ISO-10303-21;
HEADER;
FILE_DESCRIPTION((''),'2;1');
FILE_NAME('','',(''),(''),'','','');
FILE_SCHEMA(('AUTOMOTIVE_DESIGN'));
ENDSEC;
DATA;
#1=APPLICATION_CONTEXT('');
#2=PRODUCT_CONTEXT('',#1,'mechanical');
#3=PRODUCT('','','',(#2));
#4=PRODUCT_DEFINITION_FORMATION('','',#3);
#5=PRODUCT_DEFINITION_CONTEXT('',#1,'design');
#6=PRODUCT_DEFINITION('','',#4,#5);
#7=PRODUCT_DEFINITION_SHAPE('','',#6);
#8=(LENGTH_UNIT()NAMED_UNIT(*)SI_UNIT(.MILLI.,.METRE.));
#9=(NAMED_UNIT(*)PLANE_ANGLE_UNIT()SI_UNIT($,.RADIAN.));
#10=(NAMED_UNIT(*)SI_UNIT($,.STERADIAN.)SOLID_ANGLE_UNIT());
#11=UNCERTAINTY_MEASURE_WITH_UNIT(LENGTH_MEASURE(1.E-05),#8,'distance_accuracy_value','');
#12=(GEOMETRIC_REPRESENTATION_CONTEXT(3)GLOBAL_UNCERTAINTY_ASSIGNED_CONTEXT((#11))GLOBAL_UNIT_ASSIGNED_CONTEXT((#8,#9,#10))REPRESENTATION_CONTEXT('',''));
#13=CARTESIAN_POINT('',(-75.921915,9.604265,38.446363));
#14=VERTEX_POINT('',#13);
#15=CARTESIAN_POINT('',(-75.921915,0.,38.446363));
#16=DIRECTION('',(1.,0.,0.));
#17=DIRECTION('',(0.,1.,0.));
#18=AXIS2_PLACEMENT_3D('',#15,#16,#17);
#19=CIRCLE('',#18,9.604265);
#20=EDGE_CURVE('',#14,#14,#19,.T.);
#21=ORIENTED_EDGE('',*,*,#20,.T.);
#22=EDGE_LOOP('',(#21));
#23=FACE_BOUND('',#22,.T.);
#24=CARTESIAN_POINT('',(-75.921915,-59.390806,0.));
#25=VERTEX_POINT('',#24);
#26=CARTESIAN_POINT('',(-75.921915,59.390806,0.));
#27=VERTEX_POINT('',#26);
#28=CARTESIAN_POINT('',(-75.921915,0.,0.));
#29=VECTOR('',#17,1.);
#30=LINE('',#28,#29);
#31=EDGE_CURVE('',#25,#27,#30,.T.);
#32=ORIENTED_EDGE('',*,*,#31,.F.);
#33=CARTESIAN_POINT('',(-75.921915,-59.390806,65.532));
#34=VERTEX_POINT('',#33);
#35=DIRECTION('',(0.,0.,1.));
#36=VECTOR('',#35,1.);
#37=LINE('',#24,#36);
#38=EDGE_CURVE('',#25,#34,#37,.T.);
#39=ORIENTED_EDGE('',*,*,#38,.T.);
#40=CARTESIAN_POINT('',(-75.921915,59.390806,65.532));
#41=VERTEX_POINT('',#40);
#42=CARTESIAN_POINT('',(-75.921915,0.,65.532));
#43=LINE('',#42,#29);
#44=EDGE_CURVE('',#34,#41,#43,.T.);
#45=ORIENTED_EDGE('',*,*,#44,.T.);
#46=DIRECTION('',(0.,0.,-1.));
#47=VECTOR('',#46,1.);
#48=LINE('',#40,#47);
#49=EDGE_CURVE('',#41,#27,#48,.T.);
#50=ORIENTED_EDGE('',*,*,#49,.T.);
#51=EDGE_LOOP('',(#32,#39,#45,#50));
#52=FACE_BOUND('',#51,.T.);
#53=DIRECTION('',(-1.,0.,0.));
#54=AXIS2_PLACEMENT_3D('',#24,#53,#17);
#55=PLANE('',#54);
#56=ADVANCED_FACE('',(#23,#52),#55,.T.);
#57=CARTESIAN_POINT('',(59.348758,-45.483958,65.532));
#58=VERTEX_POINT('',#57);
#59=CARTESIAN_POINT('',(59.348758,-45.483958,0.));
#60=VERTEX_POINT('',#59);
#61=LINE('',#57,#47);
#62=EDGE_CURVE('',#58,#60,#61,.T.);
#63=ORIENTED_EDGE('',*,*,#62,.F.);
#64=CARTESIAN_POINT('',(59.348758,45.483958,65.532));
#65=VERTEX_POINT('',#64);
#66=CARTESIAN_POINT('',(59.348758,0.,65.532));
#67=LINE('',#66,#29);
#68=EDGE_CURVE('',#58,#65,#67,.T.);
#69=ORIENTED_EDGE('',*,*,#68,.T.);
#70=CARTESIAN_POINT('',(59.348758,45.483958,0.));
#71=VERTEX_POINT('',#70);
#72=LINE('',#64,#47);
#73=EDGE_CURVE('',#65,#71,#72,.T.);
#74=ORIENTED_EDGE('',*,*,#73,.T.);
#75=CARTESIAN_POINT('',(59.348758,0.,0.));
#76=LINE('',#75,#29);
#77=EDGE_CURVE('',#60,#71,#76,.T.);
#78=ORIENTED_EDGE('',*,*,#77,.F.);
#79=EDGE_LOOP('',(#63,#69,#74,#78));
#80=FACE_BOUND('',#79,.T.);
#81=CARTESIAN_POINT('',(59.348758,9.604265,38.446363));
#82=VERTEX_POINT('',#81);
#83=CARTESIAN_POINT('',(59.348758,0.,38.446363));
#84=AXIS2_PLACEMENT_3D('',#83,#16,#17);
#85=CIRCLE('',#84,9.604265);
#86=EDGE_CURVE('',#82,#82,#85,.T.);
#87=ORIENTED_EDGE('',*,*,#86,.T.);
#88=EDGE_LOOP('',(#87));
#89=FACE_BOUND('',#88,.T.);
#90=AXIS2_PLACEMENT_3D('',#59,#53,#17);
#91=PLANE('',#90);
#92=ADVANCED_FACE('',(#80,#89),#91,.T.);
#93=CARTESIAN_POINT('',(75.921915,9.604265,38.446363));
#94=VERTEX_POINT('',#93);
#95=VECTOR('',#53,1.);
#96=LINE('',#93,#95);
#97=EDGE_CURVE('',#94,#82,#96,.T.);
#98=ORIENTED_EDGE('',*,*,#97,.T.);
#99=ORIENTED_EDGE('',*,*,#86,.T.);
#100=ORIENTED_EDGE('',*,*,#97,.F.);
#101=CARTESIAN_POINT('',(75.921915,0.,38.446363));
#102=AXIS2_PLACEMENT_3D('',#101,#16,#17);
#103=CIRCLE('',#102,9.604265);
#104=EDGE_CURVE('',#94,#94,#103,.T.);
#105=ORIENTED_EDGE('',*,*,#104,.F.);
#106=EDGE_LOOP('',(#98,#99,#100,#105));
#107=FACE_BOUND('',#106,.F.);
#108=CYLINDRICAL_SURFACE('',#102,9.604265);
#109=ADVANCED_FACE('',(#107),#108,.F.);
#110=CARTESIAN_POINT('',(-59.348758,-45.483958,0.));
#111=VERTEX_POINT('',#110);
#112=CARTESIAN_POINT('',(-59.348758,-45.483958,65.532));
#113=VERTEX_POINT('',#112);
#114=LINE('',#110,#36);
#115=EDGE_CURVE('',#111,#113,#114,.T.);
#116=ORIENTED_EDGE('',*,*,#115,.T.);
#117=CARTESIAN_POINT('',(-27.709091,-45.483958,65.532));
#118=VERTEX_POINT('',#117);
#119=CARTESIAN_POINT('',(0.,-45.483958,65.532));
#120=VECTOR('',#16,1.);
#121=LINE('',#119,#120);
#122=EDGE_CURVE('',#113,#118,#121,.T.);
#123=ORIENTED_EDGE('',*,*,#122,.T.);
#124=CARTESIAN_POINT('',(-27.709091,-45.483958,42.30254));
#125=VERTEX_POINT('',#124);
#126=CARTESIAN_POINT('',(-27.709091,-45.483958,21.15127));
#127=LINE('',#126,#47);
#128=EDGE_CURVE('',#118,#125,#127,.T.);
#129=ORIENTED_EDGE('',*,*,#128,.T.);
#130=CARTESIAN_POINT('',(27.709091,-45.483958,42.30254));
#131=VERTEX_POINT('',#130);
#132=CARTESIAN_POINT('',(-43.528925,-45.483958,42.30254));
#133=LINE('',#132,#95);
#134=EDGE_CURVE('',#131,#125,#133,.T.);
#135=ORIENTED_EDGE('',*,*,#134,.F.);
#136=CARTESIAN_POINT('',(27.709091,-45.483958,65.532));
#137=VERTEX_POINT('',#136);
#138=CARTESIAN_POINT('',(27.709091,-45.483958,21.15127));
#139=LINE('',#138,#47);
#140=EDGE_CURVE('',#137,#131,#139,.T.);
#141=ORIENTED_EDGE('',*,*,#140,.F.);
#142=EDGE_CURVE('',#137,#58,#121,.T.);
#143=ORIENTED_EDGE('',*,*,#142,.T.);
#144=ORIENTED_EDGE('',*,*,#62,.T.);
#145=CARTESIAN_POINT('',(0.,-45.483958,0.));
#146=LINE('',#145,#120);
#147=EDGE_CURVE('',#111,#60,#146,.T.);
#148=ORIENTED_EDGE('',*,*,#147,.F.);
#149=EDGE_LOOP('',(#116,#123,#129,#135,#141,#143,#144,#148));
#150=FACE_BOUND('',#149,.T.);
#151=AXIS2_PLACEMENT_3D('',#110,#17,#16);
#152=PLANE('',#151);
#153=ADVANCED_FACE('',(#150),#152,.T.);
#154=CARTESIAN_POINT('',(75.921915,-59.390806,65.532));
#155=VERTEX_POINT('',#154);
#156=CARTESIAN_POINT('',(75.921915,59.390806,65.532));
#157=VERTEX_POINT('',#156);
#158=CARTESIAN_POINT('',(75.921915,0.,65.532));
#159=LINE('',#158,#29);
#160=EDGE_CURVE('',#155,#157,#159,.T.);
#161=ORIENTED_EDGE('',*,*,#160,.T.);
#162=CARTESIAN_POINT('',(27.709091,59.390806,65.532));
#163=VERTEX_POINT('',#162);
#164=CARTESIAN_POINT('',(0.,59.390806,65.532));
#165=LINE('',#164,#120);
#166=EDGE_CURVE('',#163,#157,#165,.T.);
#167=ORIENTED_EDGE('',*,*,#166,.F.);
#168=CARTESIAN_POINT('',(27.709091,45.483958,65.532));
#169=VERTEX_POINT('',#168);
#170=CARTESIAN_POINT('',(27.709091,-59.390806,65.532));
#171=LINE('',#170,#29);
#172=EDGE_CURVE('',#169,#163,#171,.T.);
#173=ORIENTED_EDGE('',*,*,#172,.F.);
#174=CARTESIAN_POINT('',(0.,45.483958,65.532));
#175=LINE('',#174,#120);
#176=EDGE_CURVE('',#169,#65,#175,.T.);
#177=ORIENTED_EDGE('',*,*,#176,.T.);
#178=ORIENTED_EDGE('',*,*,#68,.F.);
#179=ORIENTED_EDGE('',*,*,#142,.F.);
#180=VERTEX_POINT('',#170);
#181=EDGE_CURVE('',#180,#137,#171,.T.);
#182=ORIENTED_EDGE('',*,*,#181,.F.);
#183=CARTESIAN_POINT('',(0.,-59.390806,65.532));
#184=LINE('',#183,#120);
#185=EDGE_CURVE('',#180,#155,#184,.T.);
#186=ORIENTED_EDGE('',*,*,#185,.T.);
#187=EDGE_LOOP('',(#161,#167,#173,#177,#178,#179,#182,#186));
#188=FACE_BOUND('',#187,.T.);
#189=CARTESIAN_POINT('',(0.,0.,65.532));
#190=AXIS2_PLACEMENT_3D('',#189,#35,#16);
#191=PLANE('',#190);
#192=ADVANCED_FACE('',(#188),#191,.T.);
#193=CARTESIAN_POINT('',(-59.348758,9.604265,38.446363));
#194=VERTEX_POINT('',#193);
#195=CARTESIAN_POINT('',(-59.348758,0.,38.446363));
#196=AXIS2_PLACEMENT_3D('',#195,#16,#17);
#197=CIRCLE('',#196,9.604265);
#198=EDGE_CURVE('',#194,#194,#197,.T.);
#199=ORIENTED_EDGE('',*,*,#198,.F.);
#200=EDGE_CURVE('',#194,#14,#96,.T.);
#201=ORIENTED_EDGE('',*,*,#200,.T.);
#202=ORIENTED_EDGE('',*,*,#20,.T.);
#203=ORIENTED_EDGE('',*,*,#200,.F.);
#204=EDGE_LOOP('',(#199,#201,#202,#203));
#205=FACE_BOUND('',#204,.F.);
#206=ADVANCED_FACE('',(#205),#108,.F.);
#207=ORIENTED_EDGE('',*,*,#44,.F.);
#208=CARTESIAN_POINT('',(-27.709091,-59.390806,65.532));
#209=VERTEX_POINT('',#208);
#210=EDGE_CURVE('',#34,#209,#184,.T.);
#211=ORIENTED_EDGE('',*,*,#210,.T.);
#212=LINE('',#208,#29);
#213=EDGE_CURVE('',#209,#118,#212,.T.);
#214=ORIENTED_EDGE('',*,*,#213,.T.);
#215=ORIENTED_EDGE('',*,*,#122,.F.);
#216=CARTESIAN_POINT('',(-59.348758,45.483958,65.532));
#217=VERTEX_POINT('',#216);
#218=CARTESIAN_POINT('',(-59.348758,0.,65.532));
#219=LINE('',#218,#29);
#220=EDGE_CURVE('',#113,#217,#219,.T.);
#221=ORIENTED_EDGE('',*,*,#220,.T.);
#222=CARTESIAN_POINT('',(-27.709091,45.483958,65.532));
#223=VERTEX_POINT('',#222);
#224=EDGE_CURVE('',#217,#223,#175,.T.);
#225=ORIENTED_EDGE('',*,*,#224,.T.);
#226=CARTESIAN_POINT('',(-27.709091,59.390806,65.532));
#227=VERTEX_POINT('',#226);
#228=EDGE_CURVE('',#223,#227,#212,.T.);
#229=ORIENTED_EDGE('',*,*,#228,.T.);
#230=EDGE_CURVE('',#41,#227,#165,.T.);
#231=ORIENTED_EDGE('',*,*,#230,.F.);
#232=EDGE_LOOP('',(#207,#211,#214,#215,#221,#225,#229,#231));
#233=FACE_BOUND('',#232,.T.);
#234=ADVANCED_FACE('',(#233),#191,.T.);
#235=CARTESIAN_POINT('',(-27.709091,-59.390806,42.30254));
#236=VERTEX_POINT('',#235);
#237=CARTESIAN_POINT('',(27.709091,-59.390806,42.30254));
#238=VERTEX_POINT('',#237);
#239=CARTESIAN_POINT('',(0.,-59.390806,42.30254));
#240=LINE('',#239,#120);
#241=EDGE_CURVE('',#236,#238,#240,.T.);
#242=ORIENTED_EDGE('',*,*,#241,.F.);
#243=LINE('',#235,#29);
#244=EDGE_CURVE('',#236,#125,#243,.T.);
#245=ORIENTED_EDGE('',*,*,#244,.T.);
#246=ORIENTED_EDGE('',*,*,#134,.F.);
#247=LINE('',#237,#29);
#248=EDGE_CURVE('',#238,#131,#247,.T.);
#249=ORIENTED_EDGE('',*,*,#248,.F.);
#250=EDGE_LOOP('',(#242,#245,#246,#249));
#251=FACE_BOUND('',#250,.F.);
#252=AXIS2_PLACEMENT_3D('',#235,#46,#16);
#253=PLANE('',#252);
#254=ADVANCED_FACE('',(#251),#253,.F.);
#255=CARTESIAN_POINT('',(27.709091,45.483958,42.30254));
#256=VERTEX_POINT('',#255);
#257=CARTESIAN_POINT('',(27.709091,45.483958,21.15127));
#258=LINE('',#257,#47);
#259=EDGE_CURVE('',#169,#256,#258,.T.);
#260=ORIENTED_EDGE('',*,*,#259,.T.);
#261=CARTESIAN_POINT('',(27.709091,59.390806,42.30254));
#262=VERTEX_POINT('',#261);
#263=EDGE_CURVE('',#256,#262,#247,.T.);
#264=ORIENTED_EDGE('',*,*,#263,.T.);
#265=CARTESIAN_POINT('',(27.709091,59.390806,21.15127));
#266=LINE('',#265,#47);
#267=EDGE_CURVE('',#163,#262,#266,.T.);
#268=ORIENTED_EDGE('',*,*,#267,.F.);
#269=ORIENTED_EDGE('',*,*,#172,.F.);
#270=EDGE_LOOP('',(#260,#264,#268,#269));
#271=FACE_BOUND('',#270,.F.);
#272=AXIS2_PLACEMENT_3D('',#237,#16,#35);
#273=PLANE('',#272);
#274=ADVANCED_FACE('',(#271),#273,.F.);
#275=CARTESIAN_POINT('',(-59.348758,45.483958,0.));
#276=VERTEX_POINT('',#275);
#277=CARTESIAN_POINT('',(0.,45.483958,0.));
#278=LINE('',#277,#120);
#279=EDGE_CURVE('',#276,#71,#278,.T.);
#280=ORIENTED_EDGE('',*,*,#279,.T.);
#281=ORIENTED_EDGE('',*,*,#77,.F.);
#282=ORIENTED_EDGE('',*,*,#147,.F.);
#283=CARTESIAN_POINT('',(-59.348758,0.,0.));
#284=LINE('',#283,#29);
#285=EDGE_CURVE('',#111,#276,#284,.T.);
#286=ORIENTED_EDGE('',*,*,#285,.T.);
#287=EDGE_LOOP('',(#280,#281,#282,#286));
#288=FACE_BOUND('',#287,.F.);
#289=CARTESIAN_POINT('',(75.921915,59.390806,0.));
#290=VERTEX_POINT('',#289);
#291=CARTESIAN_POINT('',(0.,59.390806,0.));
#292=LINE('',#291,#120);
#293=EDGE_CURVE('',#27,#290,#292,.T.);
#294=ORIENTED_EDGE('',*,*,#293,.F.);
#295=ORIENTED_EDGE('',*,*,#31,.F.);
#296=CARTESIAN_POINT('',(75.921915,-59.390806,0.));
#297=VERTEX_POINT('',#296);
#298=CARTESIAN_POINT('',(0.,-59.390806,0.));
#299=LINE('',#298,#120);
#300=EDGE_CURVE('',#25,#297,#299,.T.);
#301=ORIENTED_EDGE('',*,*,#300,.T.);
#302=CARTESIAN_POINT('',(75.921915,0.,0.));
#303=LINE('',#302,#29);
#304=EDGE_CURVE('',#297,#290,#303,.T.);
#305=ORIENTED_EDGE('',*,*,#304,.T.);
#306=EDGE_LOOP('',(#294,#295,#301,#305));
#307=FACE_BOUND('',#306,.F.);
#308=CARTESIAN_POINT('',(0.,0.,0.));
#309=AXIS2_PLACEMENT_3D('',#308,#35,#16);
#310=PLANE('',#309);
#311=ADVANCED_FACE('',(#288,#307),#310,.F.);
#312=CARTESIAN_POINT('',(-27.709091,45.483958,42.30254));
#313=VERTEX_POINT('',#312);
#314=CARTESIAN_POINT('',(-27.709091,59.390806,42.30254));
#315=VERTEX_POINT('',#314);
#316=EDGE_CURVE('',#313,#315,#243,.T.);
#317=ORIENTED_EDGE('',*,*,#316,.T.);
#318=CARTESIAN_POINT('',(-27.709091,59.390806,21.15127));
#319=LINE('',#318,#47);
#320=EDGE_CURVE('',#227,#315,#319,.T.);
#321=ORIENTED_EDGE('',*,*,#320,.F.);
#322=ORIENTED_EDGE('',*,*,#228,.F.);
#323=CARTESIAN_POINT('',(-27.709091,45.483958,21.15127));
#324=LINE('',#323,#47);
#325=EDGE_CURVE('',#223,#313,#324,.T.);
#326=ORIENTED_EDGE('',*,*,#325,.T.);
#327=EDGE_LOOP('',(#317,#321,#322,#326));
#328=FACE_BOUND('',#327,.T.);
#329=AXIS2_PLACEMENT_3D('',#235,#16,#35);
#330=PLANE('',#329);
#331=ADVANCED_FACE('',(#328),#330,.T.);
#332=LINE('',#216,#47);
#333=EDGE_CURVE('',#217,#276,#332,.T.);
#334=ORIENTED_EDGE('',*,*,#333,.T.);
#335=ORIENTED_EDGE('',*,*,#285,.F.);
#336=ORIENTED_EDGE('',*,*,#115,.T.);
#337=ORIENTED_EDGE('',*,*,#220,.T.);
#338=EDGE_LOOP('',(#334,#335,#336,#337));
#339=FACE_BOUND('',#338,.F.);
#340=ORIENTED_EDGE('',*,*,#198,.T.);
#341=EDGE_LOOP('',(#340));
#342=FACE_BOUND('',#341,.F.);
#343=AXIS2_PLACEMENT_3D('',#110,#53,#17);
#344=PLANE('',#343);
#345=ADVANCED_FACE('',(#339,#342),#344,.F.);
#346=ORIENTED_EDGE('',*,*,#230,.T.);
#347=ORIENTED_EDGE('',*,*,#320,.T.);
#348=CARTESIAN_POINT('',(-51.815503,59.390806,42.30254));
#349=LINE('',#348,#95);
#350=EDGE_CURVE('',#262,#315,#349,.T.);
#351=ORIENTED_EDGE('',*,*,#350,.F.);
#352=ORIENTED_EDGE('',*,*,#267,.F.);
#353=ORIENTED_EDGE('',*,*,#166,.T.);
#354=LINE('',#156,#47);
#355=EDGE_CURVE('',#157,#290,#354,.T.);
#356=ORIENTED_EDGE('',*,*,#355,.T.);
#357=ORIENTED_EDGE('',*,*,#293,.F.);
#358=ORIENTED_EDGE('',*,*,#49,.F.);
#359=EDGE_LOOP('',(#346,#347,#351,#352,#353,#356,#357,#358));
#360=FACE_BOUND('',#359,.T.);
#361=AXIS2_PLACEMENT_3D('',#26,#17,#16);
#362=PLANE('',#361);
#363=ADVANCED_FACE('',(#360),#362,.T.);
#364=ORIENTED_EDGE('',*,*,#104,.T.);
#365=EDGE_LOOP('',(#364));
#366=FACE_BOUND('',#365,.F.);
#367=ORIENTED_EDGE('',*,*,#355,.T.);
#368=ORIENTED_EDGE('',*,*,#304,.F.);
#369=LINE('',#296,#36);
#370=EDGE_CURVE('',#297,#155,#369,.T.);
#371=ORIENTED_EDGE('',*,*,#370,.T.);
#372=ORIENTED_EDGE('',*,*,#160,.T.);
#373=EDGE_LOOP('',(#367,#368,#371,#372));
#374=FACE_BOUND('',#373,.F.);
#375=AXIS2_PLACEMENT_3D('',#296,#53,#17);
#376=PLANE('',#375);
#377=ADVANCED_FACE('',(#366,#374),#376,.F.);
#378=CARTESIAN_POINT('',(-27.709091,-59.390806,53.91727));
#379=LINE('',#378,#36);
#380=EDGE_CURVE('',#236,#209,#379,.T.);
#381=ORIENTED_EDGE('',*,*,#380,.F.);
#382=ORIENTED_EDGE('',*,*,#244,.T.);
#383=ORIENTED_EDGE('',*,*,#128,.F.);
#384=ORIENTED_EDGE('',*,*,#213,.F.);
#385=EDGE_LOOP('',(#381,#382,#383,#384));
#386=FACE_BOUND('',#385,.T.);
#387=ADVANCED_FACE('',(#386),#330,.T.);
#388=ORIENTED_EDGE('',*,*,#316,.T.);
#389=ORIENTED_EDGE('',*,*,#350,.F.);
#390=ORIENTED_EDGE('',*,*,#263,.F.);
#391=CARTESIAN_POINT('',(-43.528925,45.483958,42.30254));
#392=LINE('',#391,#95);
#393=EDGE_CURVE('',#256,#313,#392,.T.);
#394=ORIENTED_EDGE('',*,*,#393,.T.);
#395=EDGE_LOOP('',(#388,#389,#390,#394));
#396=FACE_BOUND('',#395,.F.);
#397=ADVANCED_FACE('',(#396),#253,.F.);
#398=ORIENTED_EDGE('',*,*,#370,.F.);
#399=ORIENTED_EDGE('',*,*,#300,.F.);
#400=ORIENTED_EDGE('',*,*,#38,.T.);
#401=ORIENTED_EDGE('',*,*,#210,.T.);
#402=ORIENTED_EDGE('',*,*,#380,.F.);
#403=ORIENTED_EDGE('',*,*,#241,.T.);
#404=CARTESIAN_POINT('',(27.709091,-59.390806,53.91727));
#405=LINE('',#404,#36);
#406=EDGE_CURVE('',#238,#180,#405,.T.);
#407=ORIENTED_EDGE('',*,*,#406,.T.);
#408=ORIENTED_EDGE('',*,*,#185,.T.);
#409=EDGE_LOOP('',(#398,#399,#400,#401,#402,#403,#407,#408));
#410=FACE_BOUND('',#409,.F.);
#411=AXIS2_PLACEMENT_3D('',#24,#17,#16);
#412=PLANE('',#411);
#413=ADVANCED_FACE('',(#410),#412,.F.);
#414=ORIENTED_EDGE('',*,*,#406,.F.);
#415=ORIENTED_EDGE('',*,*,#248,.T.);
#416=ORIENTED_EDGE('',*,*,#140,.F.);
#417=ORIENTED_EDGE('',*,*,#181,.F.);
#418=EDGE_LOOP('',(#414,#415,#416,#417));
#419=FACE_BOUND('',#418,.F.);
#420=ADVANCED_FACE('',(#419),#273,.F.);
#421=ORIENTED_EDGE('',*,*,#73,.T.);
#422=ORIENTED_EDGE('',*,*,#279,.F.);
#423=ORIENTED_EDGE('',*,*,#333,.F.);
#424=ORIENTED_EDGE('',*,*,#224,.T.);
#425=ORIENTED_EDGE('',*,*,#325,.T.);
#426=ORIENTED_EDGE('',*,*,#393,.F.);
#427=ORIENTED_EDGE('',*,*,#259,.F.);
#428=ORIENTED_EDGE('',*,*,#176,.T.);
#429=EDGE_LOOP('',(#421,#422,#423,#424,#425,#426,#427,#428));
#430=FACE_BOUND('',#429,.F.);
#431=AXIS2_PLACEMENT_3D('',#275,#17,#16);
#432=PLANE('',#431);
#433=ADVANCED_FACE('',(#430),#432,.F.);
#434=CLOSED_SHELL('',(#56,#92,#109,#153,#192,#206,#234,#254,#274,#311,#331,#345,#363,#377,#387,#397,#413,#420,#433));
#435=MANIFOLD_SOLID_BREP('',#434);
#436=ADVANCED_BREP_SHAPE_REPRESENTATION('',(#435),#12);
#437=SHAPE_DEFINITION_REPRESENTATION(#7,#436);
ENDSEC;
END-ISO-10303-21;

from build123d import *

# Parameters (mm, degrees)
F0_W     = 151.84383
F0_H     = 118.781612
F0_W_2   = 118.697516
F0_H_2   = 90.967916
F1_DEPTH = 50.8
F2_DEPTH = 65.532
F3_W     = 55.418182
F3_H     = 23.22946
F4_DEPTH = 118.782611
F5_R     = 9.604265
F6_DEPTH = 151.844831


with BuildPart() as f1:
    # F0 (on Top) → F1 (new body)
    with BuildSketch(Plane.XY):
        Rectangle(F0_W, F0_H)
        Rectangle(F0_W_2, F0_H_2, mode=Mode.SUBTRACT)
    extrude(amount=F1_DEPTH)

    # F0 (on Top) → F2 (join)
    with BuildSketch(Plane.XY):
        Rectangle(F0_W, F0_H)
        Rectangle(F0_W_2, F0_H_2, mode=Mode.SUBTRACT)
    extrude(amount=F2_DEPTH)

    # F3 (on face) → F4 (cut, through all)
    with BuildSketch(Plane.XZ.offset(59.390806)):
        with Locations((0, 53.91727)):
            Rectangle(F3_W, F3_H)
    extrude(amount=-F4_DEPTH, mode=Mode.SUBTRACT)

    # F5 (on face) → F6 (cut, through all)
    with BuildSketch(Plane.YZ.offset(75.921915)):
        with Locations((0, 38.446363)):
            Circle(F5_R)
    extrude(amount=-F6_DEPTH, mode=Mode.SUBTRACT)


solid = f1.part
